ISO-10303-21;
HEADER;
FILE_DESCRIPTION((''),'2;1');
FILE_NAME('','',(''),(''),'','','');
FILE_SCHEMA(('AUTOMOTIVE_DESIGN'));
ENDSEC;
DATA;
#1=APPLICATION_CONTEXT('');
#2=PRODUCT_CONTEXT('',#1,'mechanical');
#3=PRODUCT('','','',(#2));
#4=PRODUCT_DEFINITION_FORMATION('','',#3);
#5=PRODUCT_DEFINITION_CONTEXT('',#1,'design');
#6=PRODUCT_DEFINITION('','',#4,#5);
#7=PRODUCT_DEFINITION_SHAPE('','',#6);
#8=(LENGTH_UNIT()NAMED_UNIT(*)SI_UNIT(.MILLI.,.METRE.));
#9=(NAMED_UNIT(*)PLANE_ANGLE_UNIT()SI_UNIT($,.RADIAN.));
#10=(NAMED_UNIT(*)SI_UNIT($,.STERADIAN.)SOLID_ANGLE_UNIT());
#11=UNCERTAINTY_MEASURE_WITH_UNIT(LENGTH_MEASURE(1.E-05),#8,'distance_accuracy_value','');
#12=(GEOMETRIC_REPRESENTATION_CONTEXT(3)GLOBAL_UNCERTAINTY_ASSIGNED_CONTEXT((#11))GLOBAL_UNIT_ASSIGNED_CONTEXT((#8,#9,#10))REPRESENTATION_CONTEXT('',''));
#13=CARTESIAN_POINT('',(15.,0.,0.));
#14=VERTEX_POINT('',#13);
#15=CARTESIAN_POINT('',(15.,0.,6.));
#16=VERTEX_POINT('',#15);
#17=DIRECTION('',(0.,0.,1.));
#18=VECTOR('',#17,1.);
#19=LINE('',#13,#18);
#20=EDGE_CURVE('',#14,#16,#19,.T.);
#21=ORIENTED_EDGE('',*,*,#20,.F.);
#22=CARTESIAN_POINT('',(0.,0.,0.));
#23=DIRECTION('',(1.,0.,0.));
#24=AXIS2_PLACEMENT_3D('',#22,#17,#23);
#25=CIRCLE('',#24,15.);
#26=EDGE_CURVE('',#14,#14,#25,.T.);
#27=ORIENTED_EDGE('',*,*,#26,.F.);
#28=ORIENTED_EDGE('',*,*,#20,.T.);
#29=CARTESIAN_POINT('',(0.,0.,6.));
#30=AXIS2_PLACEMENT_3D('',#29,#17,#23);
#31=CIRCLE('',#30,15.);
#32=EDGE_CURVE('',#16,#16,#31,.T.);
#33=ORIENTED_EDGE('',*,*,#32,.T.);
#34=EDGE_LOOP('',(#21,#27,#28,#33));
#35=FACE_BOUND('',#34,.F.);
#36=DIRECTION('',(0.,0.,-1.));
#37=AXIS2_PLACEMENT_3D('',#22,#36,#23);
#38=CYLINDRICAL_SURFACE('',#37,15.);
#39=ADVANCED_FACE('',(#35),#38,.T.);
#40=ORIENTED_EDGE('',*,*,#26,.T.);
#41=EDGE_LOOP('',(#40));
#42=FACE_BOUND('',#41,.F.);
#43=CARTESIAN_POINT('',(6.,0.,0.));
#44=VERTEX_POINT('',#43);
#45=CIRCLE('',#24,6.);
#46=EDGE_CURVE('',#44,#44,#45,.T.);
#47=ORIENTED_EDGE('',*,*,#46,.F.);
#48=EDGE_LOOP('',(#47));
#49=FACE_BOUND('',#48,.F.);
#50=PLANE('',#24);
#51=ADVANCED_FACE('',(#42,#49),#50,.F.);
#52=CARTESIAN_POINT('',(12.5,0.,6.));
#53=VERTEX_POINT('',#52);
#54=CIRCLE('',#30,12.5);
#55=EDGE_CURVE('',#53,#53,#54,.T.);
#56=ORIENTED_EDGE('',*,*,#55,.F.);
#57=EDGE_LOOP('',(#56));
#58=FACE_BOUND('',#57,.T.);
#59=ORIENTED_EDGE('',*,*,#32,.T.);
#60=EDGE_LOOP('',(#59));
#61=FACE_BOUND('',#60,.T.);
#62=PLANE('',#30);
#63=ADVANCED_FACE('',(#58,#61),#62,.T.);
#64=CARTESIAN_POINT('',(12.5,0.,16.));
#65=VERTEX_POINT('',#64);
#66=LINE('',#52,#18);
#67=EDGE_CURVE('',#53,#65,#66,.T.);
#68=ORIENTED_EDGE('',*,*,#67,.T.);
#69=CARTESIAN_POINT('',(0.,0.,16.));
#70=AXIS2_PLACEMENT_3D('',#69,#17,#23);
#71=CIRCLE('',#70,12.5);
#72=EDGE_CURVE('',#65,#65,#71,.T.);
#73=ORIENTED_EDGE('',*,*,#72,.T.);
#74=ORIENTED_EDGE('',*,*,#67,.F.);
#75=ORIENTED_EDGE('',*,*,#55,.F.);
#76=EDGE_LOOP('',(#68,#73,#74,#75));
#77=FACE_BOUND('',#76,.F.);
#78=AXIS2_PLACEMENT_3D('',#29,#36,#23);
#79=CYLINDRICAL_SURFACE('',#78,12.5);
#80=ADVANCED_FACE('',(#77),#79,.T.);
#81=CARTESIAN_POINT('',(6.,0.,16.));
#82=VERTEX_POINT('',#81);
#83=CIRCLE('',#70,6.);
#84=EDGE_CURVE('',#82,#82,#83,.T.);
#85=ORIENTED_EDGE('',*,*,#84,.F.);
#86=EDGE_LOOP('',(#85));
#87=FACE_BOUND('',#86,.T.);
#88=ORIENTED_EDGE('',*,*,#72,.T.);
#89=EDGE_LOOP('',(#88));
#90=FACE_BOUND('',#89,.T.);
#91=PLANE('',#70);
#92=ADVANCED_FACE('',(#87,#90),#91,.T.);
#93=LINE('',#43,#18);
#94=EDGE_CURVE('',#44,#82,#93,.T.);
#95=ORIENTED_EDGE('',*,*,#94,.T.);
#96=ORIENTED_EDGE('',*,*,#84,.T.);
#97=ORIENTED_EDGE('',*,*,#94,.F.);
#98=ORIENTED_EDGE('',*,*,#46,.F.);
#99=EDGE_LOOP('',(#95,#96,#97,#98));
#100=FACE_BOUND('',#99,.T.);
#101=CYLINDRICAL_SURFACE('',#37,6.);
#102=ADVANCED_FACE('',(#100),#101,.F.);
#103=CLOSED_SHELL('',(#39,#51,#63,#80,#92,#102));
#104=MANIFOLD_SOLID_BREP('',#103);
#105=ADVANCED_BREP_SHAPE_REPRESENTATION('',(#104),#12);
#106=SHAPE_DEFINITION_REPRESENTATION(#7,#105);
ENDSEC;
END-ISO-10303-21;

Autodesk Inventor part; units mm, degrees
ref_plane "YZ Plane" through (0, 0, 0) normal (1, 0, 0) x (0, 1, 0)
ref_plane "XZ Plane" through (0, 0, 0) normal (0, 1, 0) x (-1, 0, 0)
ref_plane "XY Plane" through (0, 0, 0) normal (0, 0, 1) x (1, 0, 0)
sketch "スケッチ1" plane through (0, 0, 0) normal (0, 0, 1) x (1, 0, 0)
  circle A0 centre (0, 0) radius 6
  circle A1 centre (0, 0) radius 15
  dimension "d0" = 12
  dimension "d1" = 30
extrude "押し出し1" add sketch "スケッチ1" along normal blind 6
sketch "スケッチ2" plane through (0, 0, 6) normal (0, 0, 1) x (1, 0, 0)
  circle A0 centre (0, 0) radius 6
  circle A1 centre (0, 0) radius 12.5
  dimension "d4" = 12
  dimension "d5" = 25
extrude "押し出し2" add sketch "スケッチ2" along normal blind 10
properties part number "Gear30"
